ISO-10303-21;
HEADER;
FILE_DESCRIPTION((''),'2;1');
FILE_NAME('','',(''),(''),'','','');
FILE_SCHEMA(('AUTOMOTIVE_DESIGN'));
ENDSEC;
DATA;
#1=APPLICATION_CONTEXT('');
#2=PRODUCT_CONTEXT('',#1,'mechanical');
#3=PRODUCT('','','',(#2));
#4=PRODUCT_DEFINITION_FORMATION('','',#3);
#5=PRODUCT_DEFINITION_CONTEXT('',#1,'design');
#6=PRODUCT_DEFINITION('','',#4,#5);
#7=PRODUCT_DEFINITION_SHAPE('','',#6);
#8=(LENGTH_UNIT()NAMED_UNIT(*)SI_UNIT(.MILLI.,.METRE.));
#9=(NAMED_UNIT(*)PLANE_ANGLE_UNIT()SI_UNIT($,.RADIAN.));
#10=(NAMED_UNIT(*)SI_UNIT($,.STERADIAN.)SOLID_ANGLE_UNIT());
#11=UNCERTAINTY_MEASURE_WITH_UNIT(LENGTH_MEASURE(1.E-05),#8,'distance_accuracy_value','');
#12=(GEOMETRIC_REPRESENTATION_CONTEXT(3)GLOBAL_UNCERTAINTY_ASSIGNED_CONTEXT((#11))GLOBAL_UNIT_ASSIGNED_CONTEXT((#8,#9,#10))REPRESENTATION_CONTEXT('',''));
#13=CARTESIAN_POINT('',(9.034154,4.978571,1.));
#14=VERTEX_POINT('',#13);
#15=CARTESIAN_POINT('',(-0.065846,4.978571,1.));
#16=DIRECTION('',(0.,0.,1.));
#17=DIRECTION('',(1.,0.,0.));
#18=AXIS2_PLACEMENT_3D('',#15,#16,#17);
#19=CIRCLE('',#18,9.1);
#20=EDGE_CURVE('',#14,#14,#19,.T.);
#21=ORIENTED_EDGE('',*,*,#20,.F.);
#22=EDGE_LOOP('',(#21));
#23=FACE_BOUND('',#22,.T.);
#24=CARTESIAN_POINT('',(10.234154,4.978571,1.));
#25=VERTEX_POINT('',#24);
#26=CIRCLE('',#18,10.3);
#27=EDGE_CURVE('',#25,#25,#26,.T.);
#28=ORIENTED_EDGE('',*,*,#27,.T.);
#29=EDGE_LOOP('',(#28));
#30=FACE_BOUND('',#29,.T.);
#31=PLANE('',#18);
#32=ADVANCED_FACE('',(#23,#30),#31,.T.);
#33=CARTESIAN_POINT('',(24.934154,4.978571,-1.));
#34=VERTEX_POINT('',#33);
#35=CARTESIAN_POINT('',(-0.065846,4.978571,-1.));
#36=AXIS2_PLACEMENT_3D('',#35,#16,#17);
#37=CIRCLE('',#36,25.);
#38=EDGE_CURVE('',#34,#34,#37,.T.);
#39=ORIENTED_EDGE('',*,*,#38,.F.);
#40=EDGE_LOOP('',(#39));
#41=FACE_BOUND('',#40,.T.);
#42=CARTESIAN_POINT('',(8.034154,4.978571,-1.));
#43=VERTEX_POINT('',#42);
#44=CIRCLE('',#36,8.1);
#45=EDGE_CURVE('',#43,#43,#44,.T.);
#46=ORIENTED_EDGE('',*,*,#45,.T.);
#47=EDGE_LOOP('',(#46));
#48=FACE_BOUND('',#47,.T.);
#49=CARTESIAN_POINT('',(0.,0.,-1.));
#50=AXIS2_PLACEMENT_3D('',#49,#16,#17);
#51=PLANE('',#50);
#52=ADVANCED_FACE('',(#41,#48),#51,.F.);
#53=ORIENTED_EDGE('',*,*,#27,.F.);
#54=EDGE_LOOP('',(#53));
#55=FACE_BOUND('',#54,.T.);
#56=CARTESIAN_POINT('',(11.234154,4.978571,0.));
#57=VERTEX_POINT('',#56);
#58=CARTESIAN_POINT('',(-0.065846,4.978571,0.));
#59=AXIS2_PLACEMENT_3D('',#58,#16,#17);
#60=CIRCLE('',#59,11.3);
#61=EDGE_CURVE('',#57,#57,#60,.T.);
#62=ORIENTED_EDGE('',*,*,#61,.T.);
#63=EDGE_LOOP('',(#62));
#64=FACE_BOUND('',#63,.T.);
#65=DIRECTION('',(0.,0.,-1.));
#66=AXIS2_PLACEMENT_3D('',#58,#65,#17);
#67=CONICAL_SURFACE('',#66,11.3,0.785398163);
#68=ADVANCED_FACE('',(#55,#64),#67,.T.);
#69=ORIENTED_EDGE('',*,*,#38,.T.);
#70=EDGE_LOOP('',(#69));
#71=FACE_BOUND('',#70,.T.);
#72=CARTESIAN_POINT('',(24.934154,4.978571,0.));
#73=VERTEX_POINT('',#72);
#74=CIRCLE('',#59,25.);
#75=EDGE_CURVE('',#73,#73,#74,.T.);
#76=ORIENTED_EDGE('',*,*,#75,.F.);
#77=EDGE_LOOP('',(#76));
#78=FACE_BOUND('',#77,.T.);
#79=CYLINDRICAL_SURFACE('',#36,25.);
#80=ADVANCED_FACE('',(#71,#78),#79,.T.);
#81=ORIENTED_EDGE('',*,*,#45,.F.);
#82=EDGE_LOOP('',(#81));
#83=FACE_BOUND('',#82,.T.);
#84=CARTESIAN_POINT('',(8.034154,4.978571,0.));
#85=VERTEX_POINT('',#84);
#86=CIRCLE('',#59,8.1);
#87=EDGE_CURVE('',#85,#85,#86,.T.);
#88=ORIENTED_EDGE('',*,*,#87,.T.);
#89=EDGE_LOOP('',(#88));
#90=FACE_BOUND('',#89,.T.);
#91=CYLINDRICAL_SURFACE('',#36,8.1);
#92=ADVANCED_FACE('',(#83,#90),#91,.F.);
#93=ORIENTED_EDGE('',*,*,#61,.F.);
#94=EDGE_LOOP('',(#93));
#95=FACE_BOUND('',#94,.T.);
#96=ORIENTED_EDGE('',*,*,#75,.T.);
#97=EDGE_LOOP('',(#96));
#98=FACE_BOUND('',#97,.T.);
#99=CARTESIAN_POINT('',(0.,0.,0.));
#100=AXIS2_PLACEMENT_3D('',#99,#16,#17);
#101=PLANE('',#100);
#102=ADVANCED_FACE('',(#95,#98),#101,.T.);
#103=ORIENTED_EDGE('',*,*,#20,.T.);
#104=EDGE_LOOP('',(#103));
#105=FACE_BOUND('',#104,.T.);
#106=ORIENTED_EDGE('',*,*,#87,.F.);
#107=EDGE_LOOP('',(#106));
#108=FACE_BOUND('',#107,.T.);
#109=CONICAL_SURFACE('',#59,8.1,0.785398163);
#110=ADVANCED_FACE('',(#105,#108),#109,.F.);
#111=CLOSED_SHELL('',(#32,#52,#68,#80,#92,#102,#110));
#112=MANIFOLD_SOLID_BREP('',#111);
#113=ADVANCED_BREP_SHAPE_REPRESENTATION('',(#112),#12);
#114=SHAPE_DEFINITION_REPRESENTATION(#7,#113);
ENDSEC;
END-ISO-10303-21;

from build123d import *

# Parameters (mm, degrees)
SZKIC1_R                    = 25
SZKIC1_R_2                  = 8.1
DODANIE_WYCI_GNI_CIE1_DEPTH = 1
SZKIC2_R                    = 11.3
SZKIC2_R_2                  = 8.1
DODANIE_WYCI_GNI_CIE2_DEPTH = 1
DODANIE_WYCI_GNI_CIE2_TAPER = 45


with BuildPart() as part:
    # Szkic1 → Dodanie-wyciągnięcie1 (new body)
    with BuildSketch(Plane.XY):
        with Locations((-0.065846009, 4.978571429)):
            Circle(SZKIC1_R)
        with Locations((-0.065846009, 4.978571429)):
            Circle(SZKIC1_R_2, mode=Mode.SUBTRACT)
    extrude(amount=-DODANIE_WYCI_GNI_CIE1_DEPTH)

    # Szkic2 → Dodanie-wyciągnięcie2 (add)
    with BuildSketch(Plane.XY):
        with Locations((-0.065846009, 4.978571429)):
            Circle(SZKIC2_R)
        with Locations((-0.065846009, 4.978571429)):
            Circle(SZKIC2_R_2, mode=Mode.SUBTRACT)
    extrude(amount=DODANIE_WYCI_GNI_CIE2_DEPTH, taper=DODANIE_WYCI_GNI_CIE2_TAPER)


solid = part.part
